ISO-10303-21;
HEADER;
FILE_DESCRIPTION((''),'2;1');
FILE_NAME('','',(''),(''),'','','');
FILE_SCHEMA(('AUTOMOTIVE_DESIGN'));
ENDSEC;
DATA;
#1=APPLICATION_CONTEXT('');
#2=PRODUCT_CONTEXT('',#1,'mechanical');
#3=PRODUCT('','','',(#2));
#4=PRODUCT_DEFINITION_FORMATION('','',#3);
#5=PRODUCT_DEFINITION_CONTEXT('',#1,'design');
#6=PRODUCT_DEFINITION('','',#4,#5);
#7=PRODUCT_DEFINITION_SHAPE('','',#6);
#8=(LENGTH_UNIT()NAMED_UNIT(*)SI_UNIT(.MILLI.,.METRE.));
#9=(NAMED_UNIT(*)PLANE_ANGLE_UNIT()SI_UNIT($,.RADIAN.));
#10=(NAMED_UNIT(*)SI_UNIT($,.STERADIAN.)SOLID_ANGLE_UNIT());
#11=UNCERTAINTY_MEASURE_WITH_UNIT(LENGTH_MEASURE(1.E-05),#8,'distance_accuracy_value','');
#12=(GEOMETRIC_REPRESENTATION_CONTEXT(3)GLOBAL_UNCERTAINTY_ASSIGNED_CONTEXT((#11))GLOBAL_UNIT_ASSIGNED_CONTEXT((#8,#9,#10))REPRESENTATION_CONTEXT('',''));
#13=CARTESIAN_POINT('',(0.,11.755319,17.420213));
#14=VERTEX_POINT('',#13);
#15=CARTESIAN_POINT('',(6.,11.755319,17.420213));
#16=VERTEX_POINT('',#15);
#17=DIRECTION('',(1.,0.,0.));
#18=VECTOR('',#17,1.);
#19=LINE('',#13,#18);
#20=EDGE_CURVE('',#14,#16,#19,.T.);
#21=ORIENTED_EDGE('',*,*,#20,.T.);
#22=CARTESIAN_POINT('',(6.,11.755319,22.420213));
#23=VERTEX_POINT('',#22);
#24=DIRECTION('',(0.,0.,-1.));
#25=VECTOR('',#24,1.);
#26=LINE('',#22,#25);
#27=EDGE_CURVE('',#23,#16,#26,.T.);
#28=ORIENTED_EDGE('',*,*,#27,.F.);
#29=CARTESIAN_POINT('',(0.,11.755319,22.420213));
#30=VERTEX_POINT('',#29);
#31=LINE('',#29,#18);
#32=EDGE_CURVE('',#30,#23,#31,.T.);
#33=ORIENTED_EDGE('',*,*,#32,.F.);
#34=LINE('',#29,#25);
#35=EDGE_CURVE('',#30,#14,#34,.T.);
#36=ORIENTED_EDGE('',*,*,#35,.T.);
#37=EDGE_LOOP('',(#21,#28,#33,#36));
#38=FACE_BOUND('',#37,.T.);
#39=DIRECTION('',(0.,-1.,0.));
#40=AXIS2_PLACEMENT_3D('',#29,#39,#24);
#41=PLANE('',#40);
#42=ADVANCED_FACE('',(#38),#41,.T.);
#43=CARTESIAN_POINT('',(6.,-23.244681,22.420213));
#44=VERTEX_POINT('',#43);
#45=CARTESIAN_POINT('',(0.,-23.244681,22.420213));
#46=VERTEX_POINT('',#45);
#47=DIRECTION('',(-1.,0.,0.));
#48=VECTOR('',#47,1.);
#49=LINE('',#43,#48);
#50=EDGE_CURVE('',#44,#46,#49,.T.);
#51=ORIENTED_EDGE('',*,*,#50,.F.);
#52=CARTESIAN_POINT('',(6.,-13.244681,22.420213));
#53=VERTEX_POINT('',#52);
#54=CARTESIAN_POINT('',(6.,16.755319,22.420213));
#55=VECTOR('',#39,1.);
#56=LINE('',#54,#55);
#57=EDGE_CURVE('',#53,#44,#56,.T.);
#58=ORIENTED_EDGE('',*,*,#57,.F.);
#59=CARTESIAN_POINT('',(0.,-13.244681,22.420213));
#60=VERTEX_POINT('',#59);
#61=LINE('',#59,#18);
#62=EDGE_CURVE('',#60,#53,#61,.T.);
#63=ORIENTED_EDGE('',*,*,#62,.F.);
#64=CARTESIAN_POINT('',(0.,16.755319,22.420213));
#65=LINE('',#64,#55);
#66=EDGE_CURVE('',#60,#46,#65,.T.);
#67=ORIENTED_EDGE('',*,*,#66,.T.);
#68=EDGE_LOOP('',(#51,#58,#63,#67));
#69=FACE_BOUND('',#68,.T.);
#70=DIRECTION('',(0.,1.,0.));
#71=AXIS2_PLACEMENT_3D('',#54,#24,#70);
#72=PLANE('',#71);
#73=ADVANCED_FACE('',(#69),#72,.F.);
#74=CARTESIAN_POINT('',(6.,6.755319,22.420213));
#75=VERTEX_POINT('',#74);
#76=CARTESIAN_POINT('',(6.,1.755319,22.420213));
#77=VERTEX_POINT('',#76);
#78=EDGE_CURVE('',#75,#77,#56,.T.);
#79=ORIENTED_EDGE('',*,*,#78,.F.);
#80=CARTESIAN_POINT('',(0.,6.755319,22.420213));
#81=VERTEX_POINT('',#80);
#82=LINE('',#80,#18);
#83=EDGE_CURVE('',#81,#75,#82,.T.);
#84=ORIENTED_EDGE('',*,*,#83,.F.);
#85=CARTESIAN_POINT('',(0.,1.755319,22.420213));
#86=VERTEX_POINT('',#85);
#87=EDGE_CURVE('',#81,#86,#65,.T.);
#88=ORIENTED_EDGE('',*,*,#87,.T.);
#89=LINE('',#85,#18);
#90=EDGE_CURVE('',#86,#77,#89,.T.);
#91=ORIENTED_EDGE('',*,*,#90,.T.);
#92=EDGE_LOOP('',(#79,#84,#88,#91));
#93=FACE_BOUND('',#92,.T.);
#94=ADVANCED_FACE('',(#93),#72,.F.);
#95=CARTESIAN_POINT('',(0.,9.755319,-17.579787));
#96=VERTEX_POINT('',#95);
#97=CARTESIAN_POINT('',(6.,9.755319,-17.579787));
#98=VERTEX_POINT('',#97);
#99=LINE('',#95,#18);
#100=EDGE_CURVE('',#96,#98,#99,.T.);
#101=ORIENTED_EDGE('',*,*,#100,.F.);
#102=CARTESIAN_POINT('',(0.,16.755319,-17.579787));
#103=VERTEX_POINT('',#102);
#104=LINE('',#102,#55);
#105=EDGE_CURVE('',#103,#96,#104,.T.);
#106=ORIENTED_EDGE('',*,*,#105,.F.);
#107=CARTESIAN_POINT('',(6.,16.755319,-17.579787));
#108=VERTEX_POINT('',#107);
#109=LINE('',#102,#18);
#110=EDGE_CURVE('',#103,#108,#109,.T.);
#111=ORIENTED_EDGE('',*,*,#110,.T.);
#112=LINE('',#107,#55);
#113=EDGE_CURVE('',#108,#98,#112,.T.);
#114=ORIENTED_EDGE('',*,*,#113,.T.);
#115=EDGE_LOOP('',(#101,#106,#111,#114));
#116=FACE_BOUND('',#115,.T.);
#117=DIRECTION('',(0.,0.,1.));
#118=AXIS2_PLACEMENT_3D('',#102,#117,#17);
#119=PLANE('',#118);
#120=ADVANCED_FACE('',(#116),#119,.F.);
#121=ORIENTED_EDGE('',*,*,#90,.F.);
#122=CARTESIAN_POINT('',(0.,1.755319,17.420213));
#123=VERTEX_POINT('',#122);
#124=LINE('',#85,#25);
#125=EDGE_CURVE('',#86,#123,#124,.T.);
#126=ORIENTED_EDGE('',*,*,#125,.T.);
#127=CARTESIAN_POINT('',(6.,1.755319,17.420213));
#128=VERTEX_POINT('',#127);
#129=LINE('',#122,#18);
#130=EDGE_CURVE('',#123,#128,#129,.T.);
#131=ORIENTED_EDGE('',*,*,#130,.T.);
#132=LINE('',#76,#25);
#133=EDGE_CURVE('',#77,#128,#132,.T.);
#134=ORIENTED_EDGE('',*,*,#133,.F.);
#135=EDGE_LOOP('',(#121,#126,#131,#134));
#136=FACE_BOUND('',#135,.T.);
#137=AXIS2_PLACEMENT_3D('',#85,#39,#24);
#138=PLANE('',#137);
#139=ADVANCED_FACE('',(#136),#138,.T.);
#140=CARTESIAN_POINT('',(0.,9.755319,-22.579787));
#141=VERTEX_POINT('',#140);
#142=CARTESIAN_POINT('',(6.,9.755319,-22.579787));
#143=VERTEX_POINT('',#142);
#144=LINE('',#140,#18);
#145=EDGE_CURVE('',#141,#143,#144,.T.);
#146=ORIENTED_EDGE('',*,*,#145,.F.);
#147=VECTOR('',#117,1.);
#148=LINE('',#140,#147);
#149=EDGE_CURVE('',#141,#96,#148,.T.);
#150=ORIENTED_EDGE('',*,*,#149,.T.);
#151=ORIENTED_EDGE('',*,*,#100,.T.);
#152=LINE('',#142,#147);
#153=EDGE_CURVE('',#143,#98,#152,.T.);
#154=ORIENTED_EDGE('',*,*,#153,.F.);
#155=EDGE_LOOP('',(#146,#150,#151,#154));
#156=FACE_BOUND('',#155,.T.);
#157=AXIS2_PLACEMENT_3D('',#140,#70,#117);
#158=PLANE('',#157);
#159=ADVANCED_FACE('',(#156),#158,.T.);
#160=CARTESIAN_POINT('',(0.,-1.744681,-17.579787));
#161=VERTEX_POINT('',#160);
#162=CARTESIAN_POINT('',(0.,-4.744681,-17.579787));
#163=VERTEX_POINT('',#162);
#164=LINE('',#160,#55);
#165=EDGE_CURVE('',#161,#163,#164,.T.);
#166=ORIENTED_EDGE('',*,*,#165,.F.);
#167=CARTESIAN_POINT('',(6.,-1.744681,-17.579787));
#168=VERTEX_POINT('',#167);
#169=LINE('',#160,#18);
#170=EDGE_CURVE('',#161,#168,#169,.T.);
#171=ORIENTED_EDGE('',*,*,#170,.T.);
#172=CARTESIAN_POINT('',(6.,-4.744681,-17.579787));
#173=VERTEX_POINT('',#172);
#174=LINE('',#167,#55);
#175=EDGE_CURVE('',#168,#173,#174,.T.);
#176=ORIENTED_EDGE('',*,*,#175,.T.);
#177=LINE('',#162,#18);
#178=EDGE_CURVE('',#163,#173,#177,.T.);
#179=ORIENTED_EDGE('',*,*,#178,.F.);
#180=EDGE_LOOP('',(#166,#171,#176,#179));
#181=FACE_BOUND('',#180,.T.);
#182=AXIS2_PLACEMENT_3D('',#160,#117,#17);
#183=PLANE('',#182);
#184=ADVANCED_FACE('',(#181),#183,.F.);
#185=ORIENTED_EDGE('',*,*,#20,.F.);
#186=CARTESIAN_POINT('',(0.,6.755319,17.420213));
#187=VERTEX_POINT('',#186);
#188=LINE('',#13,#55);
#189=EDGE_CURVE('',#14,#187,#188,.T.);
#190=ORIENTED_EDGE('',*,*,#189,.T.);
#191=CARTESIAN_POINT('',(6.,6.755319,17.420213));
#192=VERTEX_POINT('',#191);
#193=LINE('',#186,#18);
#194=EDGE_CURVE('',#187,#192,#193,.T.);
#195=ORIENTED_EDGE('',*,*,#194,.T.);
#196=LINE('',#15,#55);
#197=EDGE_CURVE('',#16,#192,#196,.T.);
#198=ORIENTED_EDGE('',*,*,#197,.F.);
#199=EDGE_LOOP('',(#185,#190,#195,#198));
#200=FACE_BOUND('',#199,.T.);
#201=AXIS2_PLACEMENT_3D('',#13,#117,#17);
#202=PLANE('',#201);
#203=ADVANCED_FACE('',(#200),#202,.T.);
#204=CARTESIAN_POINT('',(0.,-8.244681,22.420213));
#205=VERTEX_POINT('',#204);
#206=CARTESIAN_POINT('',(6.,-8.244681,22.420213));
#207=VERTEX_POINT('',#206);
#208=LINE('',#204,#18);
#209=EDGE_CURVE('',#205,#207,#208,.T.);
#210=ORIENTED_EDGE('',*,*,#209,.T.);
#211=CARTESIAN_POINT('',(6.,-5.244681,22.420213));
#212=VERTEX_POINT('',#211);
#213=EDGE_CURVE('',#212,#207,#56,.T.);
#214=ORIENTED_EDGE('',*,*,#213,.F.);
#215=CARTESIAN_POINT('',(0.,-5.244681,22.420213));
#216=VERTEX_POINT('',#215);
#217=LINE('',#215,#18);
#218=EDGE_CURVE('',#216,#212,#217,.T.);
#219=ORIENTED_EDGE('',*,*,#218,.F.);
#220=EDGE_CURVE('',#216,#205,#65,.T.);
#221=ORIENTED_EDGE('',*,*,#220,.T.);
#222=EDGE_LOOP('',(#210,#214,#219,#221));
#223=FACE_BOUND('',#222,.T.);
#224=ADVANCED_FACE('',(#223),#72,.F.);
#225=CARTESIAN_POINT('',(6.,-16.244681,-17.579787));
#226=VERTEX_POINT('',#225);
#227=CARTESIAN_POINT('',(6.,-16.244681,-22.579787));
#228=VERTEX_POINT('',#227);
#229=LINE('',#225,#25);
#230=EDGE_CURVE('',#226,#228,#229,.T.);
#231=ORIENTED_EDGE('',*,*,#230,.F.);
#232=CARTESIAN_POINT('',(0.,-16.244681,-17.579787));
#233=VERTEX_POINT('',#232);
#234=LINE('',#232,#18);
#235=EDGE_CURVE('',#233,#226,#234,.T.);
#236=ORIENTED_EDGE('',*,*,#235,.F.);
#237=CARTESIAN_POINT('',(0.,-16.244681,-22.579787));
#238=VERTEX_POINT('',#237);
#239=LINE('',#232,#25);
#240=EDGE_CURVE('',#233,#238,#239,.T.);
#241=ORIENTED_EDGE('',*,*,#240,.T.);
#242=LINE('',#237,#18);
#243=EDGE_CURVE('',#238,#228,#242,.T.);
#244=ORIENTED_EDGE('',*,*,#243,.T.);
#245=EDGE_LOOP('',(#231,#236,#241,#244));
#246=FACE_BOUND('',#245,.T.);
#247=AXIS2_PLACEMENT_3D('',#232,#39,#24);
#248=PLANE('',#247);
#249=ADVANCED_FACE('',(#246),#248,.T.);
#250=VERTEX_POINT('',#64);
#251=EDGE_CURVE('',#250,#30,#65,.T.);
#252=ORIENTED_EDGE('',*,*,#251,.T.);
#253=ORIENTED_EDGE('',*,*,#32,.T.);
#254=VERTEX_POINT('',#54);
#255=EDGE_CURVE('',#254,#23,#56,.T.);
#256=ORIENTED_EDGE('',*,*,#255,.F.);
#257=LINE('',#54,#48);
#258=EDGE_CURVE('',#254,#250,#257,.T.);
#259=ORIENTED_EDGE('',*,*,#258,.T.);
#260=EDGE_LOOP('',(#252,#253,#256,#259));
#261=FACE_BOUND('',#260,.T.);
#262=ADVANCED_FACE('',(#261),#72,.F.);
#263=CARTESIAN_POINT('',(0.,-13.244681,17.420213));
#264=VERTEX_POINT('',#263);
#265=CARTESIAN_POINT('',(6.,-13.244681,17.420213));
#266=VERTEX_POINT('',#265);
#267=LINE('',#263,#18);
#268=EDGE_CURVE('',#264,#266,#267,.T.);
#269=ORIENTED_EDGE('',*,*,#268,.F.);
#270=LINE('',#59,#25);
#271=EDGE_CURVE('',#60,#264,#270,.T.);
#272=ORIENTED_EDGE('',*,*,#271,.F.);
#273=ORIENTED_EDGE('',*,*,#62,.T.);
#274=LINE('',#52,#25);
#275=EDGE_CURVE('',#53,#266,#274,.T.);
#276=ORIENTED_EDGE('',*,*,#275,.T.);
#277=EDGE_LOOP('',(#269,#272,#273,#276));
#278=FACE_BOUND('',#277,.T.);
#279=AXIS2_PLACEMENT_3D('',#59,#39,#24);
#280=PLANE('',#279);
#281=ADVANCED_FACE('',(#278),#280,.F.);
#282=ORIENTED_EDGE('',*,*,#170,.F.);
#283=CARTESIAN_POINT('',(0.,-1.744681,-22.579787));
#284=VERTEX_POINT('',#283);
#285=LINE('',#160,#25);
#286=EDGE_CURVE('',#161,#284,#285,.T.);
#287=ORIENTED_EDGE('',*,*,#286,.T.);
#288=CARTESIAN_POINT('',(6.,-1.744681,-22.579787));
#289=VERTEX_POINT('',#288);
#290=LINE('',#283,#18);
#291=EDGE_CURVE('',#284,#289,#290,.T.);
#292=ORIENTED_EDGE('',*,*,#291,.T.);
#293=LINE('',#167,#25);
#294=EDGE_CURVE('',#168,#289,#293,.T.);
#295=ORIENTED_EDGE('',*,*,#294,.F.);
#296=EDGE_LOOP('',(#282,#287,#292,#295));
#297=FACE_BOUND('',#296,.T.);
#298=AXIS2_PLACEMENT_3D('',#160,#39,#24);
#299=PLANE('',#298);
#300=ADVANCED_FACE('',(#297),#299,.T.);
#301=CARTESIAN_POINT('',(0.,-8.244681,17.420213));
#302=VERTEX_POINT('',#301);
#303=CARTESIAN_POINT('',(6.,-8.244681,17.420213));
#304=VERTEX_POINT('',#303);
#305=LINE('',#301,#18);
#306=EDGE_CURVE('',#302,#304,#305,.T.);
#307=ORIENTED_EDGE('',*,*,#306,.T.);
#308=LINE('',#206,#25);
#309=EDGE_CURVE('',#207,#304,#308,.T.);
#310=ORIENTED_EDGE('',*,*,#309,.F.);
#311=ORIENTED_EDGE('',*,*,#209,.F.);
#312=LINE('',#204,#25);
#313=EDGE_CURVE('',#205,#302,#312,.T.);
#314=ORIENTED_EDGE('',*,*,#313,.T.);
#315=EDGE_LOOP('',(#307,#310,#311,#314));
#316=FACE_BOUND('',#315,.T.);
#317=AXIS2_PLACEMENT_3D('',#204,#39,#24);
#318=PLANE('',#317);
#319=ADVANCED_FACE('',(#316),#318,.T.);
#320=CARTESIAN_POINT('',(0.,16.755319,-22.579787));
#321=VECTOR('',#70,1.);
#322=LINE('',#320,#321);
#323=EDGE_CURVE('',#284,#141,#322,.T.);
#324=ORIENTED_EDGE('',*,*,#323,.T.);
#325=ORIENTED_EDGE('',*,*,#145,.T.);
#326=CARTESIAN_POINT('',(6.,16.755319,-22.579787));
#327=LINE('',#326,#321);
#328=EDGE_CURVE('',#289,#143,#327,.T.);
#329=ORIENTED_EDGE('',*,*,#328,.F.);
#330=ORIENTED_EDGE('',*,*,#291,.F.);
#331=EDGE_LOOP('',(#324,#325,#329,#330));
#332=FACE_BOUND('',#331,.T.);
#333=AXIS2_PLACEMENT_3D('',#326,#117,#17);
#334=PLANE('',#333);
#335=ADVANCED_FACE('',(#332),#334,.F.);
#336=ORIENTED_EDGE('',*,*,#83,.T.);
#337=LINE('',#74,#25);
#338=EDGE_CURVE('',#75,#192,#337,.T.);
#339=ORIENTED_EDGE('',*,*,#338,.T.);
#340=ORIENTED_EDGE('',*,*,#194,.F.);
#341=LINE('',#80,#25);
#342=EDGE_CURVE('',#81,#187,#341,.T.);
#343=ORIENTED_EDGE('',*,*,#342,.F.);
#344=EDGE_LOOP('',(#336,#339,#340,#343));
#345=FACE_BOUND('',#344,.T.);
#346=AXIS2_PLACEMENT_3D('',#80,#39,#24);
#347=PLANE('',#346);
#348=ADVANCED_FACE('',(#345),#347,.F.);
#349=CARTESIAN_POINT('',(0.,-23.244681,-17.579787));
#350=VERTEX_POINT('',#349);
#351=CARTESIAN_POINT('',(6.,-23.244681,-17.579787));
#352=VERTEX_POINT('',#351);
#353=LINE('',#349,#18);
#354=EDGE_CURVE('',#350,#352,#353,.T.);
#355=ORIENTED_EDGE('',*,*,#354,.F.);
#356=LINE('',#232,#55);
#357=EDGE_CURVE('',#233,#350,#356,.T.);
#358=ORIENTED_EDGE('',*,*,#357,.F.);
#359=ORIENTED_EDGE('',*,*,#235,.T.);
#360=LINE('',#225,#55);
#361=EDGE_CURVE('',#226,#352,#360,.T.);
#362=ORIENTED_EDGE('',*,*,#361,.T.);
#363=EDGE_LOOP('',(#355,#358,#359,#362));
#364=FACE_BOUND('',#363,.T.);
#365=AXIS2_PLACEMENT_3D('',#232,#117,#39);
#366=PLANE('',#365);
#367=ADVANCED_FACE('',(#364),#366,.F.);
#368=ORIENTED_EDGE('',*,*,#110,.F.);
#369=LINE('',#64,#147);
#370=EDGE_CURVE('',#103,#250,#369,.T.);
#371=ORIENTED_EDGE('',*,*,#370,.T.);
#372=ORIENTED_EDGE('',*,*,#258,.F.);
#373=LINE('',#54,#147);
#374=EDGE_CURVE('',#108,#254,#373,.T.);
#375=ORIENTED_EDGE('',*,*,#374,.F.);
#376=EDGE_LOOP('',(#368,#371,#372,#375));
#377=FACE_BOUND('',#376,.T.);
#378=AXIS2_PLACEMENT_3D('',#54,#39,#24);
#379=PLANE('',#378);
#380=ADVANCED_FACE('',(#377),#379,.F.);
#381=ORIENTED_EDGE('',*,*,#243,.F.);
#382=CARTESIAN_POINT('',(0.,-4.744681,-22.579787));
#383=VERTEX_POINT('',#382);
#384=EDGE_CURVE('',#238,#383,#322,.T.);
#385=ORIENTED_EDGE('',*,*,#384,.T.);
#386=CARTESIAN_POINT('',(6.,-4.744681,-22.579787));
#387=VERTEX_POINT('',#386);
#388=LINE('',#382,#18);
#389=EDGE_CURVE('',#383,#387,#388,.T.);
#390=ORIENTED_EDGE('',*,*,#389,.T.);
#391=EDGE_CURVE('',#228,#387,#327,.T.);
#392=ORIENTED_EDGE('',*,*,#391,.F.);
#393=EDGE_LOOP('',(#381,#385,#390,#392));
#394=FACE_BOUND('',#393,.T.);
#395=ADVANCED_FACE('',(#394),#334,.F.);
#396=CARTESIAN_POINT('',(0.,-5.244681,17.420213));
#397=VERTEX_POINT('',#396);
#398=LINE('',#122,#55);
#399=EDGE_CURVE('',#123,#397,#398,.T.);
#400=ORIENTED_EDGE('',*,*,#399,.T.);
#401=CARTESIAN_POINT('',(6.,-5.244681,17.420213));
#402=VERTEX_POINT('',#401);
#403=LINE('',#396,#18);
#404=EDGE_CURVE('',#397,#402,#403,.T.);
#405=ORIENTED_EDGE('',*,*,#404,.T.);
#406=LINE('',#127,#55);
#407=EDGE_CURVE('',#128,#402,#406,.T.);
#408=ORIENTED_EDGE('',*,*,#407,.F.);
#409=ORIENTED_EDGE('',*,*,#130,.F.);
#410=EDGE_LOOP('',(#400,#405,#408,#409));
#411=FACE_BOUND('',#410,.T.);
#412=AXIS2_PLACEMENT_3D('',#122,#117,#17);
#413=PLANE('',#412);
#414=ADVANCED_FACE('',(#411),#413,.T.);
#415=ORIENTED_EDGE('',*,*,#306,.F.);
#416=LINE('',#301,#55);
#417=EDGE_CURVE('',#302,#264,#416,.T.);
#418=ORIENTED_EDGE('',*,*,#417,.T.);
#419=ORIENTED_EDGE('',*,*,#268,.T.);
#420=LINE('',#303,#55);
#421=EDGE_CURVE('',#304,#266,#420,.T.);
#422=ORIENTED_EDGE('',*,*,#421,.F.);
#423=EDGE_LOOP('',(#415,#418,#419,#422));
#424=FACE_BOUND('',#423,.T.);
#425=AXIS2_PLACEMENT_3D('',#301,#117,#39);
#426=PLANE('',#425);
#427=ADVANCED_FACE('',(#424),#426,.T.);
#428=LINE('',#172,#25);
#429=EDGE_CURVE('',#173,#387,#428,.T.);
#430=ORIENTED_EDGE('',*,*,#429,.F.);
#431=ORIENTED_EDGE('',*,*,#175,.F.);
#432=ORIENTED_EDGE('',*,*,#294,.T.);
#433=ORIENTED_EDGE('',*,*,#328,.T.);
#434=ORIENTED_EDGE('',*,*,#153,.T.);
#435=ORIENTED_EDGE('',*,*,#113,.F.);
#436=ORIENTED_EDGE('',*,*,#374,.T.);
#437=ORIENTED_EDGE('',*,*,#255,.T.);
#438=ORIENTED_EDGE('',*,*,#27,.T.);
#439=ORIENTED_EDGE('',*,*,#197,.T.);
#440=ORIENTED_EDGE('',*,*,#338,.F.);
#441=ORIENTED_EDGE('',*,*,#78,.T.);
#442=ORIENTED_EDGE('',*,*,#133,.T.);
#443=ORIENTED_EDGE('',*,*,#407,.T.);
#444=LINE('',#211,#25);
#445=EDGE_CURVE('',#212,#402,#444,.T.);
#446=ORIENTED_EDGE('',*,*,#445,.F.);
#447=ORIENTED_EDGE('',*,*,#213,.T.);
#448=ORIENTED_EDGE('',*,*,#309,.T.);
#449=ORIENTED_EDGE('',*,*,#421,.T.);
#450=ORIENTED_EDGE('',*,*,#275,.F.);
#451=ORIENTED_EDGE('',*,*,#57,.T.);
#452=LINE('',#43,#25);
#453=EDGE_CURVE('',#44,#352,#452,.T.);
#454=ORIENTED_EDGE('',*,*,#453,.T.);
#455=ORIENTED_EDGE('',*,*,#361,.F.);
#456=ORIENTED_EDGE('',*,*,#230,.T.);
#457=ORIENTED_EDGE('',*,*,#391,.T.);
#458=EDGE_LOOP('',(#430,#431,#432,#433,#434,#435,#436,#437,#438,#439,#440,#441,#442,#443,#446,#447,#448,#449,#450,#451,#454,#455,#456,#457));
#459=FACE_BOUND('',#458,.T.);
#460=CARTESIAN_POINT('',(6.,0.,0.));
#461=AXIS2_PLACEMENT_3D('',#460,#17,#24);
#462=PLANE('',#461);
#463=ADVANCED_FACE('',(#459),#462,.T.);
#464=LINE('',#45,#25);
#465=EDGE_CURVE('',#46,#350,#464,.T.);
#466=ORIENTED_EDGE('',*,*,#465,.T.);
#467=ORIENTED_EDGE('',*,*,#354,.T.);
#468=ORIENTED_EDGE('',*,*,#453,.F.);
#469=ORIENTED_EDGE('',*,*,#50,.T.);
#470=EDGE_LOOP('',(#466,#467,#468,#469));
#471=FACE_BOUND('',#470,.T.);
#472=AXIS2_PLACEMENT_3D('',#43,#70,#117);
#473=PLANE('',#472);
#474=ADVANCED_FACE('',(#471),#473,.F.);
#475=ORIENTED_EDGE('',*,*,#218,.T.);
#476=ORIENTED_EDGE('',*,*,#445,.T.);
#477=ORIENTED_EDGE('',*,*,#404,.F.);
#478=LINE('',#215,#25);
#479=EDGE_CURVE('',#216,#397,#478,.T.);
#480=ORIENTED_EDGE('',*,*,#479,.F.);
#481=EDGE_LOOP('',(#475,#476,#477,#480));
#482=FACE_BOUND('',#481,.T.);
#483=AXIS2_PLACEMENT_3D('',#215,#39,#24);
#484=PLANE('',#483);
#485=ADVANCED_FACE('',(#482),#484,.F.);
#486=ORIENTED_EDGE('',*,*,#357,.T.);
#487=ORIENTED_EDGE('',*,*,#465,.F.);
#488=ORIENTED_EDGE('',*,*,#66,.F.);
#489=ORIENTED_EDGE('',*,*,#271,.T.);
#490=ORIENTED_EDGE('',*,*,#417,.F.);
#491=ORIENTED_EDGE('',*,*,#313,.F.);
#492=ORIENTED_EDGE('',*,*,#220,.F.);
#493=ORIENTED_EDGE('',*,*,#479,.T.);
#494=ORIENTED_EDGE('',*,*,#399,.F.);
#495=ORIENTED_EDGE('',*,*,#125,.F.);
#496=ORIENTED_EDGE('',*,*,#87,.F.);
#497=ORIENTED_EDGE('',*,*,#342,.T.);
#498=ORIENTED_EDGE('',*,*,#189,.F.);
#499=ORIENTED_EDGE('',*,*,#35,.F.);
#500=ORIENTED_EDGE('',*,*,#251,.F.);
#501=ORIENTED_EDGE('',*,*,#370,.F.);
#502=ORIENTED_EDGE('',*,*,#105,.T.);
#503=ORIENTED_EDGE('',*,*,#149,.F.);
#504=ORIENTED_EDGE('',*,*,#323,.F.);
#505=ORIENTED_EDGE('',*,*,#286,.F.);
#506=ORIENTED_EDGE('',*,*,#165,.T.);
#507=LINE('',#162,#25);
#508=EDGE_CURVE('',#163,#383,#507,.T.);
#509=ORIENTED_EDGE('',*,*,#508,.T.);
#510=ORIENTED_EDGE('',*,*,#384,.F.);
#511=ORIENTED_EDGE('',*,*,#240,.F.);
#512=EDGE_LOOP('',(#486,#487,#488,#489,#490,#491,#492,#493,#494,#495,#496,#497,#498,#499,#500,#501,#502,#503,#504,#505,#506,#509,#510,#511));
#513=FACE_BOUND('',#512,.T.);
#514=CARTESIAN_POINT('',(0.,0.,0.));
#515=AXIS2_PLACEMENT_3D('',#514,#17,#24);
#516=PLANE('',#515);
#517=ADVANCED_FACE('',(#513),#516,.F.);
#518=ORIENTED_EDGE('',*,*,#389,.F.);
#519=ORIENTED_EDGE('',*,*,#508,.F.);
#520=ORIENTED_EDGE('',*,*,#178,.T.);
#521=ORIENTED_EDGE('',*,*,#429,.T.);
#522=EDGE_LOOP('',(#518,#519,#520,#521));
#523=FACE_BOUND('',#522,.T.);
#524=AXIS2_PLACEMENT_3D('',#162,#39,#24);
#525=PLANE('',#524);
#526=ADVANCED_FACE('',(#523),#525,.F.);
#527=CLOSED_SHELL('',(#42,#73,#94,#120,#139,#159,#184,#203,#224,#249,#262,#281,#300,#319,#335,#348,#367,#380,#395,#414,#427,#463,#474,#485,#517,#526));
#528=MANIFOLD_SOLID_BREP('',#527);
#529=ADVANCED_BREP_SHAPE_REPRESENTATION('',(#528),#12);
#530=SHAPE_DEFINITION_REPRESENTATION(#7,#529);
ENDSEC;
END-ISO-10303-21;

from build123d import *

# Parameters (mm, degrees)
SKETCH1_W           = 45
SKETCH1_H           = 40
BOSS_EXTRUDE1_DEPTH = 6
SKETCH2_W           = 5
SKETCH2_H           = 5
SKETCH2_H_2         = 7
CUT_EXTRUDE1_DEPTH  = 6
SKETCH3_W           = 5
SKETCH3_H           = 7
SKETCH3_H_2         = 3
CUT_EXTRUDE2_DEPTH  = 6


with BuildPart() as part:
    # Sketch1 → Boss-Extrude1 (new body)
    with BuildSketch(Plane(origin=(0, 0, 0), x_dir=(0, 0, -1), z_dir=(1, 0, 0))):
        with Locations((0.079787234, -3.244680851)):
            Rectangle(SKETCH1_W, SKETCH1_H)
    extrude(amount=BOSS_EXTRUDE1_DEPTH)

    # Sketch2 → Cut-Extrude1 (cut)
    with BuildSketch(Plane(origin=(6, 0, 0), x_dir=(0, 0, -1), z_dir=(1, 0, 0))):
        with Locations((-19.920212766, 9.255319149)):
            Rectangle(SKETCH2_W, SKETCH2_H)
        with Locations((-19.920212766, -1.744680851)):
            Rectangle(SKETCH2_W, SKETCH2_H_2)
        with Locations((-19.920212766, -10.744680851)):
            Rectangle(SKETCH2_W, SKETCH2_H)
    extrude(amount=-CUT_EXTRUDE1_DEPTH, mode=Mode.SUBTRACT)

    # Sketch3 → Cut-Extrude2 (cut)
    with BuildSketch(Plane(origin=(6, 0, 0), x_dir=(0, 0, -1), z_dir=(1, 0, 0))):
        with Locations((20.079787234, 13.255319149)):
            Rectangle(SKETCH3_W, SKETCH3_H)
        with Locations((20.079787234, -3.244680851)):
            Rectangle(SKETCH3_W, SKETCH3_H_2)
        with Locations((20.079787234, -19.744680851)):
            Rectangle(SKETCH3_W, SKETCH3_H)
    extrude(amount=-CUT_EXTRUDE2_DEPTH, mode=Mode.SUBTRACT)


solid = part.part
